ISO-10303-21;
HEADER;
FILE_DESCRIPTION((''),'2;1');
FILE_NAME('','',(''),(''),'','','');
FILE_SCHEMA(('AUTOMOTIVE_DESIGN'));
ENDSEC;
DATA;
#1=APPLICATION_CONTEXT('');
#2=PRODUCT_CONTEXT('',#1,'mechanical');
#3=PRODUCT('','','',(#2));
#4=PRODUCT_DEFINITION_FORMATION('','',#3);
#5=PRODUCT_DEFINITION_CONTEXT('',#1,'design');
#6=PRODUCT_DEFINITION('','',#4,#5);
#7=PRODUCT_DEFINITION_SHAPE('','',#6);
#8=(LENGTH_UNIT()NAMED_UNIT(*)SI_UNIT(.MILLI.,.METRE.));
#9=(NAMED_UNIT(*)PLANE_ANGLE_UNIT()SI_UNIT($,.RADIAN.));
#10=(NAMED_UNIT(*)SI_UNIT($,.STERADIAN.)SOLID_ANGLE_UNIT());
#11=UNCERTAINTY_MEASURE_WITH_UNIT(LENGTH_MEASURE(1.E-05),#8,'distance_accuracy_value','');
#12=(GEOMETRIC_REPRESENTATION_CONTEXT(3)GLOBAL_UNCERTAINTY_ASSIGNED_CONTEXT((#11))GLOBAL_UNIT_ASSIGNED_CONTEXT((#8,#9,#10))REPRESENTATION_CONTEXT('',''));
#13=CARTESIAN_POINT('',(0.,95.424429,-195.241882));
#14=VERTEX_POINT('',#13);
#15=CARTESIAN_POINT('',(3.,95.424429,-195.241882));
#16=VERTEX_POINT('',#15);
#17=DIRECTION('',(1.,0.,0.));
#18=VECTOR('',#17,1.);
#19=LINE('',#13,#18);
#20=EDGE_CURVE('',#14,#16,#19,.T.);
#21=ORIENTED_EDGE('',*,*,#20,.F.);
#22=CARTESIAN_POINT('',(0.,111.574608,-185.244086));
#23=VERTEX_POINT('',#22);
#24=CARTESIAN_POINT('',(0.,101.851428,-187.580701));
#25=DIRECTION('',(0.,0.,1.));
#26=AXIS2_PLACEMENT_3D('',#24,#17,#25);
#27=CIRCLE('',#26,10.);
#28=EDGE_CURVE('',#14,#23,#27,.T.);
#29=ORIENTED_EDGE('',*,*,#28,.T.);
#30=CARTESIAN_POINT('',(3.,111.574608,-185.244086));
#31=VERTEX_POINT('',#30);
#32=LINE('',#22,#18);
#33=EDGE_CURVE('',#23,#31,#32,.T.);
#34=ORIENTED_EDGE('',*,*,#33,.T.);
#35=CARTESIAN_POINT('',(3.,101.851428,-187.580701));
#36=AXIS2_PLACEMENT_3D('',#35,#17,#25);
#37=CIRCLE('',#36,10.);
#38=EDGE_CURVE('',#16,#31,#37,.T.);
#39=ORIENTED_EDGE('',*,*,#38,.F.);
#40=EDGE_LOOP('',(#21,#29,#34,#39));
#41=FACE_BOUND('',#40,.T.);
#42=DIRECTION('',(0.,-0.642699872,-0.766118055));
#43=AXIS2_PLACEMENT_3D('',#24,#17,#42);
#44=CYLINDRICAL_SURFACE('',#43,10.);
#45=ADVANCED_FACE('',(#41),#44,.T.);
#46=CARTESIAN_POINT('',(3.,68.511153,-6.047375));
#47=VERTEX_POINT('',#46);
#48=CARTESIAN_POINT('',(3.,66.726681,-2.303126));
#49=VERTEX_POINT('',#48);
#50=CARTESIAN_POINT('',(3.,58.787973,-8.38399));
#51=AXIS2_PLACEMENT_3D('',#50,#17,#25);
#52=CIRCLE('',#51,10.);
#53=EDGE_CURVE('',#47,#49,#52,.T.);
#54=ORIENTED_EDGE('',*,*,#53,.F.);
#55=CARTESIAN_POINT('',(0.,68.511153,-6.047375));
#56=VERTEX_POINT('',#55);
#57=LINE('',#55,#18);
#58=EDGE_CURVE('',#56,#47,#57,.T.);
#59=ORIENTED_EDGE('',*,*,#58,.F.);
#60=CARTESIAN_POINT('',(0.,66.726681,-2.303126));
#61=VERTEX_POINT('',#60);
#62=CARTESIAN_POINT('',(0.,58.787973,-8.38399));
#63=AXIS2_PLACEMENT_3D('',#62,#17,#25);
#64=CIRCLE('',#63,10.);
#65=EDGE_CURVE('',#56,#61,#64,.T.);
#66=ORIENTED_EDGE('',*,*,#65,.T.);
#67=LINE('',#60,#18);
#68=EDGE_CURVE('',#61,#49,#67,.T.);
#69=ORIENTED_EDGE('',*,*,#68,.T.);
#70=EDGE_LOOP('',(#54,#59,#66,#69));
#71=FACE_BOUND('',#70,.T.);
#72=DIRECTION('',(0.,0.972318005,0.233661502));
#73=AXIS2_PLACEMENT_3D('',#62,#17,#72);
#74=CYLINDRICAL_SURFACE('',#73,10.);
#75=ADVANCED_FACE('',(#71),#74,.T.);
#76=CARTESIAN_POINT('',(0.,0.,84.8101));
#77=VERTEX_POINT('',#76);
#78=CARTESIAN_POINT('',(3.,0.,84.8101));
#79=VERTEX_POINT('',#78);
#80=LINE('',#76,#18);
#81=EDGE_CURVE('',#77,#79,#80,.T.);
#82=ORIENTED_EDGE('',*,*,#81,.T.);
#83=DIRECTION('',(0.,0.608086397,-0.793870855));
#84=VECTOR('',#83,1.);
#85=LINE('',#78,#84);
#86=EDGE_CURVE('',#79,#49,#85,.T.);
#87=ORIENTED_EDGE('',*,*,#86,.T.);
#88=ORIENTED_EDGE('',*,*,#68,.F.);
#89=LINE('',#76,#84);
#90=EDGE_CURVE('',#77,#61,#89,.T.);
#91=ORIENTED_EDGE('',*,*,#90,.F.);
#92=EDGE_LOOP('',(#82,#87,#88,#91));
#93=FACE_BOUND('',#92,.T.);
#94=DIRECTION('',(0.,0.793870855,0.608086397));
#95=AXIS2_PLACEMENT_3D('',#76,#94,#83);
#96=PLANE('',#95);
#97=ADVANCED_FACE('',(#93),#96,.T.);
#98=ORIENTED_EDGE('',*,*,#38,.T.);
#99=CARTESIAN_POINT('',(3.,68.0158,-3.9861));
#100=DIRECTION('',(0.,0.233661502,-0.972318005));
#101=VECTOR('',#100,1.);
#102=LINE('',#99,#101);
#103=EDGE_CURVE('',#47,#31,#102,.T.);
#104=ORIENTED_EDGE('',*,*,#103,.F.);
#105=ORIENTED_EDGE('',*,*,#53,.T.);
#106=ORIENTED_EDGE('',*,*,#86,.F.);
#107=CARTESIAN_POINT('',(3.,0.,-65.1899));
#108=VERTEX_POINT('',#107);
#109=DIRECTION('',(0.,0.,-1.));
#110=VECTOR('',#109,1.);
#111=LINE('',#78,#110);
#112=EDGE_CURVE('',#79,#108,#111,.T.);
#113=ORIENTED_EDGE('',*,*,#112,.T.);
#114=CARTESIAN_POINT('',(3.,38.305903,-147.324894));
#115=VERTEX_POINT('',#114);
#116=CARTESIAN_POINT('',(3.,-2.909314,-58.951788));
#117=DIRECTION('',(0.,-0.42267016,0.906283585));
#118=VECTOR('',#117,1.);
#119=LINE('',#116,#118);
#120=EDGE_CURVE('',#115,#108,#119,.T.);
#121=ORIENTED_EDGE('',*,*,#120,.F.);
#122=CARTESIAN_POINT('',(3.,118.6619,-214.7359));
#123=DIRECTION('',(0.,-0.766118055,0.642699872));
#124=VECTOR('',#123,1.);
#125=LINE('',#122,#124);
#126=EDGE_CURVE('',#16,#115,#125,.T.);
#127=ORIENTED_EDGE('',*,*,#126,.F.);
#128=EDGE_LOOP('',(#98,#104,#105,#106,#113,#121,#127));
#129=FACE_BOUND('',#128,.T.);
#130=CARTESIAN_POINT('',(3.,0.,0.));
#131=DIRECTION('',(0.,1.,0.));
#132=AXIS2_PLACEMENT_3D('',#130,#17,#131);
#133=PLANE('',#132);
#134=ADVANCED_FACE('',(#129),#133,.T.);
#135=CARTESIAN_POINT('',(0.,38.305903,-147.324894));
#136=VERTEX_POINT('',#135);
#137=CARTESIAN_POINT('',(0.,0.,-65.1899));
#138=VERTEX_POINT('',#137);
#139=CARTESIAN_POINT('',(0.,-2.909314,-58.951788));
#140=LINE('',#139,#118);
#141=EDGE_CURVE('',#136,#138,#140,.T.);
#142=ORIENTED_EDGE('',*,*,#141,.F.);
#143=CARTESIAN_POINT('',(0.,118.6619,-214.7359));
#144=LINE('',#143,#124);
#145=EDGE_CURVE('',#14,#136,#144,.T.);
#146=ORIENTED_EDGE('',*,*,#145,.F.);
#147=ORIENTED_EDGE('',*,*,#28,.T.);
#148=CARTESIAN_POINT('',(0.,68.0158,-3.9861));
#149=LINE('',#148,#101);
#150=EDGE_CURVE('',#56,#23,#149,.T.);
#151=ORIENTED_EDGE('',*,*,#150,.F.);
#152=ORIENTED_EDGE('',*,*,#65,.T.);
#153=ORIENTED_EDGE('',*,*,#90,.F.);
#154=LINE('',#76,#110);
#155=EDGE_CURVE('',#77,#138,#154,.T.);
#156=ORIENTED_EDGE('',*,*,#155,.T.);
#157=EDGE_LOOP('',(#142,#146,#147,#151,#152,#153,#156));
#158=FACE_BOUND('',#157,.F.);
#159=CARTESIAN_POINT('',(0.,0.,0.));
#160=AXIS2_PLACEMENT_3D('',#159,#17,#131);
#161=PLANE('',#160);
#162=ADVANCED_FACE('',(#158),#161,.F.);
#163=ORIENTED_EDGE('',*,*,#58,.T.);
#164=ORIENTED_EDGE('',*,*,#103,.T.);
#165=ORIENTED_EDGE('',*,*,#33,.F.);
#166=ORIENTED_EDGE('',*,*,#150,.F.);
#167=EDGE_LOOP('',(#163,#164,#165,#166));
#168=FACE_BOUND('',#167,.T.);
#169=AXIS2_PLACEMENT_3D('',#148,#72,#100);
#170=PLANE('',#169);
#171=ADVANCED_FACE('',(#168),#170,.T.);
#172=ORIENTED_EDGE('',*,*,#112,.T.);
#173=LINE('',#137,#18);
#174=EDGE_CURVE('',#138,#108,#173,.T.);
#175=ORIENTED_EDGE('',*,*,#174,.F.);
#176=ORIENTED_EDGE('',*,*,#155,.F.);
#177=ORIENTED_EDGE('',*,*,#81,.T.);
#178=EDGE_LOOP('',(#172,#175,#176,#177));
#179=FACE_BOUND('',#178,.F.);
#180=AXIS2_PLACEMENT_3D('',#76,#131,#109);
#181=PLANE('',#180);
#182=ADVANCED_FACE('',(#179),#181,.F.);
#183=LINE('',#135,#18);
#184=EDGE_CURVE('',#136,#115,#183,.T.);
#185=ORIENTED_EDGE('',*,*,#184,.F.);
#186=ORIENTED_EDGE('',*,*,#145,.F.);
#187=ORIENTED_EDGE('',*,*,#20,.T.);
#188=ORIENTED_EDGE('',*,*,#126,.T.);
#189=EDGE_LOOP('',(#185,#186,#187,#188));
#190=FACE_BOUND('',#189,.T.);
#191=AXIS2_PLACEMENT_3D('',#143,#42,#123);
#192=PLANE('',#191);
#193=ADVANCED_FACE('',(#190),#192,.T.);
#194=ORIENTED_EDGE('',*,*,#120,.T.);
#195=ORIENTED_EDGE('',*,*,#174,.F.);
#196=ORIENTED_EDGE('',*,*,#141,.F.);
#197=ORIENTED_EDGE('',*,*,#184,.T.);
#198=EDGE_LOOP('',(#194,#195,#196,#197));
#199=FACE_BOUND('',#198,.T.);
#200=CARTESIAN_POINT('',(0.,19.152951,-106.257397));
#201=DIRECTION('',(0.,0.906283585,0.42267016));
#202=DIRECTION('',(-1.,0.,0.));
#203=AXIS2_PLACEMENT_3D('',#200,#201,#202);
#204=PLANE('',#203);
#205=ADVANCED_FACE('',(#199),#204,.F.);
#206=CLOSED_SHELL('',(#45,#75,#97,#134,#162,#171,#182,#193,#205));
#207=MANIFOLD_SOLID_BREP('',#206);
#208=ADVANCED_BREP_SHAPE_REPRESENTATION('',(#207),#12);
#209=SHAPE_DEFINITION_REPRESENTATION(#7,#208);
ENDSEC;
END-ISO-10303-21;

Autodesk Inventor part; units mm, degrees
ref_plane "YZ Plane" through (0, 0, 0) normal (1, 0, 0) x (0, 1, 0)
ref_plane "XZ Plane" through (0, 0, 0) normal (0, 1, 0) x (-1, 0, 0)
ref_plane "XY Plane" through (0, 0, 0) normal (0, 0, 1) x (1, 0, 0)
sketch "スケッチ1" plane through (0, 0, 0) normal (1, 0, 0) x (0, 1, 0)
  line L0 (0, 84.8101) -> (0, -115.1899)
  line L1 (0, -274.6451) -> (0, 144.7193) projected
  line L2 (0, 84.8101) -> (68.0158, -3.9861)
  line L3 (68.0158, -3.9861) -> (118.6619, -214.7359)
  line L4 (118.6619, -214.7359) -> (0, -115.1899)
  point P0 (0, 0)
  dimension "d0" = 200
extrude "押し出し1" add sketch "スケッチ1" along normal blind 3
chamfer "面取り1" distance 50 angle 45 1 edges at (1.5, 0, -115.1899)
fillet "フィレット1" radius 10 2 edges at (1.5, 118.6619, -214.7359) (1.5, 68.0158, -3.9861)
properties part number "type7_stay" material "CFRP"
